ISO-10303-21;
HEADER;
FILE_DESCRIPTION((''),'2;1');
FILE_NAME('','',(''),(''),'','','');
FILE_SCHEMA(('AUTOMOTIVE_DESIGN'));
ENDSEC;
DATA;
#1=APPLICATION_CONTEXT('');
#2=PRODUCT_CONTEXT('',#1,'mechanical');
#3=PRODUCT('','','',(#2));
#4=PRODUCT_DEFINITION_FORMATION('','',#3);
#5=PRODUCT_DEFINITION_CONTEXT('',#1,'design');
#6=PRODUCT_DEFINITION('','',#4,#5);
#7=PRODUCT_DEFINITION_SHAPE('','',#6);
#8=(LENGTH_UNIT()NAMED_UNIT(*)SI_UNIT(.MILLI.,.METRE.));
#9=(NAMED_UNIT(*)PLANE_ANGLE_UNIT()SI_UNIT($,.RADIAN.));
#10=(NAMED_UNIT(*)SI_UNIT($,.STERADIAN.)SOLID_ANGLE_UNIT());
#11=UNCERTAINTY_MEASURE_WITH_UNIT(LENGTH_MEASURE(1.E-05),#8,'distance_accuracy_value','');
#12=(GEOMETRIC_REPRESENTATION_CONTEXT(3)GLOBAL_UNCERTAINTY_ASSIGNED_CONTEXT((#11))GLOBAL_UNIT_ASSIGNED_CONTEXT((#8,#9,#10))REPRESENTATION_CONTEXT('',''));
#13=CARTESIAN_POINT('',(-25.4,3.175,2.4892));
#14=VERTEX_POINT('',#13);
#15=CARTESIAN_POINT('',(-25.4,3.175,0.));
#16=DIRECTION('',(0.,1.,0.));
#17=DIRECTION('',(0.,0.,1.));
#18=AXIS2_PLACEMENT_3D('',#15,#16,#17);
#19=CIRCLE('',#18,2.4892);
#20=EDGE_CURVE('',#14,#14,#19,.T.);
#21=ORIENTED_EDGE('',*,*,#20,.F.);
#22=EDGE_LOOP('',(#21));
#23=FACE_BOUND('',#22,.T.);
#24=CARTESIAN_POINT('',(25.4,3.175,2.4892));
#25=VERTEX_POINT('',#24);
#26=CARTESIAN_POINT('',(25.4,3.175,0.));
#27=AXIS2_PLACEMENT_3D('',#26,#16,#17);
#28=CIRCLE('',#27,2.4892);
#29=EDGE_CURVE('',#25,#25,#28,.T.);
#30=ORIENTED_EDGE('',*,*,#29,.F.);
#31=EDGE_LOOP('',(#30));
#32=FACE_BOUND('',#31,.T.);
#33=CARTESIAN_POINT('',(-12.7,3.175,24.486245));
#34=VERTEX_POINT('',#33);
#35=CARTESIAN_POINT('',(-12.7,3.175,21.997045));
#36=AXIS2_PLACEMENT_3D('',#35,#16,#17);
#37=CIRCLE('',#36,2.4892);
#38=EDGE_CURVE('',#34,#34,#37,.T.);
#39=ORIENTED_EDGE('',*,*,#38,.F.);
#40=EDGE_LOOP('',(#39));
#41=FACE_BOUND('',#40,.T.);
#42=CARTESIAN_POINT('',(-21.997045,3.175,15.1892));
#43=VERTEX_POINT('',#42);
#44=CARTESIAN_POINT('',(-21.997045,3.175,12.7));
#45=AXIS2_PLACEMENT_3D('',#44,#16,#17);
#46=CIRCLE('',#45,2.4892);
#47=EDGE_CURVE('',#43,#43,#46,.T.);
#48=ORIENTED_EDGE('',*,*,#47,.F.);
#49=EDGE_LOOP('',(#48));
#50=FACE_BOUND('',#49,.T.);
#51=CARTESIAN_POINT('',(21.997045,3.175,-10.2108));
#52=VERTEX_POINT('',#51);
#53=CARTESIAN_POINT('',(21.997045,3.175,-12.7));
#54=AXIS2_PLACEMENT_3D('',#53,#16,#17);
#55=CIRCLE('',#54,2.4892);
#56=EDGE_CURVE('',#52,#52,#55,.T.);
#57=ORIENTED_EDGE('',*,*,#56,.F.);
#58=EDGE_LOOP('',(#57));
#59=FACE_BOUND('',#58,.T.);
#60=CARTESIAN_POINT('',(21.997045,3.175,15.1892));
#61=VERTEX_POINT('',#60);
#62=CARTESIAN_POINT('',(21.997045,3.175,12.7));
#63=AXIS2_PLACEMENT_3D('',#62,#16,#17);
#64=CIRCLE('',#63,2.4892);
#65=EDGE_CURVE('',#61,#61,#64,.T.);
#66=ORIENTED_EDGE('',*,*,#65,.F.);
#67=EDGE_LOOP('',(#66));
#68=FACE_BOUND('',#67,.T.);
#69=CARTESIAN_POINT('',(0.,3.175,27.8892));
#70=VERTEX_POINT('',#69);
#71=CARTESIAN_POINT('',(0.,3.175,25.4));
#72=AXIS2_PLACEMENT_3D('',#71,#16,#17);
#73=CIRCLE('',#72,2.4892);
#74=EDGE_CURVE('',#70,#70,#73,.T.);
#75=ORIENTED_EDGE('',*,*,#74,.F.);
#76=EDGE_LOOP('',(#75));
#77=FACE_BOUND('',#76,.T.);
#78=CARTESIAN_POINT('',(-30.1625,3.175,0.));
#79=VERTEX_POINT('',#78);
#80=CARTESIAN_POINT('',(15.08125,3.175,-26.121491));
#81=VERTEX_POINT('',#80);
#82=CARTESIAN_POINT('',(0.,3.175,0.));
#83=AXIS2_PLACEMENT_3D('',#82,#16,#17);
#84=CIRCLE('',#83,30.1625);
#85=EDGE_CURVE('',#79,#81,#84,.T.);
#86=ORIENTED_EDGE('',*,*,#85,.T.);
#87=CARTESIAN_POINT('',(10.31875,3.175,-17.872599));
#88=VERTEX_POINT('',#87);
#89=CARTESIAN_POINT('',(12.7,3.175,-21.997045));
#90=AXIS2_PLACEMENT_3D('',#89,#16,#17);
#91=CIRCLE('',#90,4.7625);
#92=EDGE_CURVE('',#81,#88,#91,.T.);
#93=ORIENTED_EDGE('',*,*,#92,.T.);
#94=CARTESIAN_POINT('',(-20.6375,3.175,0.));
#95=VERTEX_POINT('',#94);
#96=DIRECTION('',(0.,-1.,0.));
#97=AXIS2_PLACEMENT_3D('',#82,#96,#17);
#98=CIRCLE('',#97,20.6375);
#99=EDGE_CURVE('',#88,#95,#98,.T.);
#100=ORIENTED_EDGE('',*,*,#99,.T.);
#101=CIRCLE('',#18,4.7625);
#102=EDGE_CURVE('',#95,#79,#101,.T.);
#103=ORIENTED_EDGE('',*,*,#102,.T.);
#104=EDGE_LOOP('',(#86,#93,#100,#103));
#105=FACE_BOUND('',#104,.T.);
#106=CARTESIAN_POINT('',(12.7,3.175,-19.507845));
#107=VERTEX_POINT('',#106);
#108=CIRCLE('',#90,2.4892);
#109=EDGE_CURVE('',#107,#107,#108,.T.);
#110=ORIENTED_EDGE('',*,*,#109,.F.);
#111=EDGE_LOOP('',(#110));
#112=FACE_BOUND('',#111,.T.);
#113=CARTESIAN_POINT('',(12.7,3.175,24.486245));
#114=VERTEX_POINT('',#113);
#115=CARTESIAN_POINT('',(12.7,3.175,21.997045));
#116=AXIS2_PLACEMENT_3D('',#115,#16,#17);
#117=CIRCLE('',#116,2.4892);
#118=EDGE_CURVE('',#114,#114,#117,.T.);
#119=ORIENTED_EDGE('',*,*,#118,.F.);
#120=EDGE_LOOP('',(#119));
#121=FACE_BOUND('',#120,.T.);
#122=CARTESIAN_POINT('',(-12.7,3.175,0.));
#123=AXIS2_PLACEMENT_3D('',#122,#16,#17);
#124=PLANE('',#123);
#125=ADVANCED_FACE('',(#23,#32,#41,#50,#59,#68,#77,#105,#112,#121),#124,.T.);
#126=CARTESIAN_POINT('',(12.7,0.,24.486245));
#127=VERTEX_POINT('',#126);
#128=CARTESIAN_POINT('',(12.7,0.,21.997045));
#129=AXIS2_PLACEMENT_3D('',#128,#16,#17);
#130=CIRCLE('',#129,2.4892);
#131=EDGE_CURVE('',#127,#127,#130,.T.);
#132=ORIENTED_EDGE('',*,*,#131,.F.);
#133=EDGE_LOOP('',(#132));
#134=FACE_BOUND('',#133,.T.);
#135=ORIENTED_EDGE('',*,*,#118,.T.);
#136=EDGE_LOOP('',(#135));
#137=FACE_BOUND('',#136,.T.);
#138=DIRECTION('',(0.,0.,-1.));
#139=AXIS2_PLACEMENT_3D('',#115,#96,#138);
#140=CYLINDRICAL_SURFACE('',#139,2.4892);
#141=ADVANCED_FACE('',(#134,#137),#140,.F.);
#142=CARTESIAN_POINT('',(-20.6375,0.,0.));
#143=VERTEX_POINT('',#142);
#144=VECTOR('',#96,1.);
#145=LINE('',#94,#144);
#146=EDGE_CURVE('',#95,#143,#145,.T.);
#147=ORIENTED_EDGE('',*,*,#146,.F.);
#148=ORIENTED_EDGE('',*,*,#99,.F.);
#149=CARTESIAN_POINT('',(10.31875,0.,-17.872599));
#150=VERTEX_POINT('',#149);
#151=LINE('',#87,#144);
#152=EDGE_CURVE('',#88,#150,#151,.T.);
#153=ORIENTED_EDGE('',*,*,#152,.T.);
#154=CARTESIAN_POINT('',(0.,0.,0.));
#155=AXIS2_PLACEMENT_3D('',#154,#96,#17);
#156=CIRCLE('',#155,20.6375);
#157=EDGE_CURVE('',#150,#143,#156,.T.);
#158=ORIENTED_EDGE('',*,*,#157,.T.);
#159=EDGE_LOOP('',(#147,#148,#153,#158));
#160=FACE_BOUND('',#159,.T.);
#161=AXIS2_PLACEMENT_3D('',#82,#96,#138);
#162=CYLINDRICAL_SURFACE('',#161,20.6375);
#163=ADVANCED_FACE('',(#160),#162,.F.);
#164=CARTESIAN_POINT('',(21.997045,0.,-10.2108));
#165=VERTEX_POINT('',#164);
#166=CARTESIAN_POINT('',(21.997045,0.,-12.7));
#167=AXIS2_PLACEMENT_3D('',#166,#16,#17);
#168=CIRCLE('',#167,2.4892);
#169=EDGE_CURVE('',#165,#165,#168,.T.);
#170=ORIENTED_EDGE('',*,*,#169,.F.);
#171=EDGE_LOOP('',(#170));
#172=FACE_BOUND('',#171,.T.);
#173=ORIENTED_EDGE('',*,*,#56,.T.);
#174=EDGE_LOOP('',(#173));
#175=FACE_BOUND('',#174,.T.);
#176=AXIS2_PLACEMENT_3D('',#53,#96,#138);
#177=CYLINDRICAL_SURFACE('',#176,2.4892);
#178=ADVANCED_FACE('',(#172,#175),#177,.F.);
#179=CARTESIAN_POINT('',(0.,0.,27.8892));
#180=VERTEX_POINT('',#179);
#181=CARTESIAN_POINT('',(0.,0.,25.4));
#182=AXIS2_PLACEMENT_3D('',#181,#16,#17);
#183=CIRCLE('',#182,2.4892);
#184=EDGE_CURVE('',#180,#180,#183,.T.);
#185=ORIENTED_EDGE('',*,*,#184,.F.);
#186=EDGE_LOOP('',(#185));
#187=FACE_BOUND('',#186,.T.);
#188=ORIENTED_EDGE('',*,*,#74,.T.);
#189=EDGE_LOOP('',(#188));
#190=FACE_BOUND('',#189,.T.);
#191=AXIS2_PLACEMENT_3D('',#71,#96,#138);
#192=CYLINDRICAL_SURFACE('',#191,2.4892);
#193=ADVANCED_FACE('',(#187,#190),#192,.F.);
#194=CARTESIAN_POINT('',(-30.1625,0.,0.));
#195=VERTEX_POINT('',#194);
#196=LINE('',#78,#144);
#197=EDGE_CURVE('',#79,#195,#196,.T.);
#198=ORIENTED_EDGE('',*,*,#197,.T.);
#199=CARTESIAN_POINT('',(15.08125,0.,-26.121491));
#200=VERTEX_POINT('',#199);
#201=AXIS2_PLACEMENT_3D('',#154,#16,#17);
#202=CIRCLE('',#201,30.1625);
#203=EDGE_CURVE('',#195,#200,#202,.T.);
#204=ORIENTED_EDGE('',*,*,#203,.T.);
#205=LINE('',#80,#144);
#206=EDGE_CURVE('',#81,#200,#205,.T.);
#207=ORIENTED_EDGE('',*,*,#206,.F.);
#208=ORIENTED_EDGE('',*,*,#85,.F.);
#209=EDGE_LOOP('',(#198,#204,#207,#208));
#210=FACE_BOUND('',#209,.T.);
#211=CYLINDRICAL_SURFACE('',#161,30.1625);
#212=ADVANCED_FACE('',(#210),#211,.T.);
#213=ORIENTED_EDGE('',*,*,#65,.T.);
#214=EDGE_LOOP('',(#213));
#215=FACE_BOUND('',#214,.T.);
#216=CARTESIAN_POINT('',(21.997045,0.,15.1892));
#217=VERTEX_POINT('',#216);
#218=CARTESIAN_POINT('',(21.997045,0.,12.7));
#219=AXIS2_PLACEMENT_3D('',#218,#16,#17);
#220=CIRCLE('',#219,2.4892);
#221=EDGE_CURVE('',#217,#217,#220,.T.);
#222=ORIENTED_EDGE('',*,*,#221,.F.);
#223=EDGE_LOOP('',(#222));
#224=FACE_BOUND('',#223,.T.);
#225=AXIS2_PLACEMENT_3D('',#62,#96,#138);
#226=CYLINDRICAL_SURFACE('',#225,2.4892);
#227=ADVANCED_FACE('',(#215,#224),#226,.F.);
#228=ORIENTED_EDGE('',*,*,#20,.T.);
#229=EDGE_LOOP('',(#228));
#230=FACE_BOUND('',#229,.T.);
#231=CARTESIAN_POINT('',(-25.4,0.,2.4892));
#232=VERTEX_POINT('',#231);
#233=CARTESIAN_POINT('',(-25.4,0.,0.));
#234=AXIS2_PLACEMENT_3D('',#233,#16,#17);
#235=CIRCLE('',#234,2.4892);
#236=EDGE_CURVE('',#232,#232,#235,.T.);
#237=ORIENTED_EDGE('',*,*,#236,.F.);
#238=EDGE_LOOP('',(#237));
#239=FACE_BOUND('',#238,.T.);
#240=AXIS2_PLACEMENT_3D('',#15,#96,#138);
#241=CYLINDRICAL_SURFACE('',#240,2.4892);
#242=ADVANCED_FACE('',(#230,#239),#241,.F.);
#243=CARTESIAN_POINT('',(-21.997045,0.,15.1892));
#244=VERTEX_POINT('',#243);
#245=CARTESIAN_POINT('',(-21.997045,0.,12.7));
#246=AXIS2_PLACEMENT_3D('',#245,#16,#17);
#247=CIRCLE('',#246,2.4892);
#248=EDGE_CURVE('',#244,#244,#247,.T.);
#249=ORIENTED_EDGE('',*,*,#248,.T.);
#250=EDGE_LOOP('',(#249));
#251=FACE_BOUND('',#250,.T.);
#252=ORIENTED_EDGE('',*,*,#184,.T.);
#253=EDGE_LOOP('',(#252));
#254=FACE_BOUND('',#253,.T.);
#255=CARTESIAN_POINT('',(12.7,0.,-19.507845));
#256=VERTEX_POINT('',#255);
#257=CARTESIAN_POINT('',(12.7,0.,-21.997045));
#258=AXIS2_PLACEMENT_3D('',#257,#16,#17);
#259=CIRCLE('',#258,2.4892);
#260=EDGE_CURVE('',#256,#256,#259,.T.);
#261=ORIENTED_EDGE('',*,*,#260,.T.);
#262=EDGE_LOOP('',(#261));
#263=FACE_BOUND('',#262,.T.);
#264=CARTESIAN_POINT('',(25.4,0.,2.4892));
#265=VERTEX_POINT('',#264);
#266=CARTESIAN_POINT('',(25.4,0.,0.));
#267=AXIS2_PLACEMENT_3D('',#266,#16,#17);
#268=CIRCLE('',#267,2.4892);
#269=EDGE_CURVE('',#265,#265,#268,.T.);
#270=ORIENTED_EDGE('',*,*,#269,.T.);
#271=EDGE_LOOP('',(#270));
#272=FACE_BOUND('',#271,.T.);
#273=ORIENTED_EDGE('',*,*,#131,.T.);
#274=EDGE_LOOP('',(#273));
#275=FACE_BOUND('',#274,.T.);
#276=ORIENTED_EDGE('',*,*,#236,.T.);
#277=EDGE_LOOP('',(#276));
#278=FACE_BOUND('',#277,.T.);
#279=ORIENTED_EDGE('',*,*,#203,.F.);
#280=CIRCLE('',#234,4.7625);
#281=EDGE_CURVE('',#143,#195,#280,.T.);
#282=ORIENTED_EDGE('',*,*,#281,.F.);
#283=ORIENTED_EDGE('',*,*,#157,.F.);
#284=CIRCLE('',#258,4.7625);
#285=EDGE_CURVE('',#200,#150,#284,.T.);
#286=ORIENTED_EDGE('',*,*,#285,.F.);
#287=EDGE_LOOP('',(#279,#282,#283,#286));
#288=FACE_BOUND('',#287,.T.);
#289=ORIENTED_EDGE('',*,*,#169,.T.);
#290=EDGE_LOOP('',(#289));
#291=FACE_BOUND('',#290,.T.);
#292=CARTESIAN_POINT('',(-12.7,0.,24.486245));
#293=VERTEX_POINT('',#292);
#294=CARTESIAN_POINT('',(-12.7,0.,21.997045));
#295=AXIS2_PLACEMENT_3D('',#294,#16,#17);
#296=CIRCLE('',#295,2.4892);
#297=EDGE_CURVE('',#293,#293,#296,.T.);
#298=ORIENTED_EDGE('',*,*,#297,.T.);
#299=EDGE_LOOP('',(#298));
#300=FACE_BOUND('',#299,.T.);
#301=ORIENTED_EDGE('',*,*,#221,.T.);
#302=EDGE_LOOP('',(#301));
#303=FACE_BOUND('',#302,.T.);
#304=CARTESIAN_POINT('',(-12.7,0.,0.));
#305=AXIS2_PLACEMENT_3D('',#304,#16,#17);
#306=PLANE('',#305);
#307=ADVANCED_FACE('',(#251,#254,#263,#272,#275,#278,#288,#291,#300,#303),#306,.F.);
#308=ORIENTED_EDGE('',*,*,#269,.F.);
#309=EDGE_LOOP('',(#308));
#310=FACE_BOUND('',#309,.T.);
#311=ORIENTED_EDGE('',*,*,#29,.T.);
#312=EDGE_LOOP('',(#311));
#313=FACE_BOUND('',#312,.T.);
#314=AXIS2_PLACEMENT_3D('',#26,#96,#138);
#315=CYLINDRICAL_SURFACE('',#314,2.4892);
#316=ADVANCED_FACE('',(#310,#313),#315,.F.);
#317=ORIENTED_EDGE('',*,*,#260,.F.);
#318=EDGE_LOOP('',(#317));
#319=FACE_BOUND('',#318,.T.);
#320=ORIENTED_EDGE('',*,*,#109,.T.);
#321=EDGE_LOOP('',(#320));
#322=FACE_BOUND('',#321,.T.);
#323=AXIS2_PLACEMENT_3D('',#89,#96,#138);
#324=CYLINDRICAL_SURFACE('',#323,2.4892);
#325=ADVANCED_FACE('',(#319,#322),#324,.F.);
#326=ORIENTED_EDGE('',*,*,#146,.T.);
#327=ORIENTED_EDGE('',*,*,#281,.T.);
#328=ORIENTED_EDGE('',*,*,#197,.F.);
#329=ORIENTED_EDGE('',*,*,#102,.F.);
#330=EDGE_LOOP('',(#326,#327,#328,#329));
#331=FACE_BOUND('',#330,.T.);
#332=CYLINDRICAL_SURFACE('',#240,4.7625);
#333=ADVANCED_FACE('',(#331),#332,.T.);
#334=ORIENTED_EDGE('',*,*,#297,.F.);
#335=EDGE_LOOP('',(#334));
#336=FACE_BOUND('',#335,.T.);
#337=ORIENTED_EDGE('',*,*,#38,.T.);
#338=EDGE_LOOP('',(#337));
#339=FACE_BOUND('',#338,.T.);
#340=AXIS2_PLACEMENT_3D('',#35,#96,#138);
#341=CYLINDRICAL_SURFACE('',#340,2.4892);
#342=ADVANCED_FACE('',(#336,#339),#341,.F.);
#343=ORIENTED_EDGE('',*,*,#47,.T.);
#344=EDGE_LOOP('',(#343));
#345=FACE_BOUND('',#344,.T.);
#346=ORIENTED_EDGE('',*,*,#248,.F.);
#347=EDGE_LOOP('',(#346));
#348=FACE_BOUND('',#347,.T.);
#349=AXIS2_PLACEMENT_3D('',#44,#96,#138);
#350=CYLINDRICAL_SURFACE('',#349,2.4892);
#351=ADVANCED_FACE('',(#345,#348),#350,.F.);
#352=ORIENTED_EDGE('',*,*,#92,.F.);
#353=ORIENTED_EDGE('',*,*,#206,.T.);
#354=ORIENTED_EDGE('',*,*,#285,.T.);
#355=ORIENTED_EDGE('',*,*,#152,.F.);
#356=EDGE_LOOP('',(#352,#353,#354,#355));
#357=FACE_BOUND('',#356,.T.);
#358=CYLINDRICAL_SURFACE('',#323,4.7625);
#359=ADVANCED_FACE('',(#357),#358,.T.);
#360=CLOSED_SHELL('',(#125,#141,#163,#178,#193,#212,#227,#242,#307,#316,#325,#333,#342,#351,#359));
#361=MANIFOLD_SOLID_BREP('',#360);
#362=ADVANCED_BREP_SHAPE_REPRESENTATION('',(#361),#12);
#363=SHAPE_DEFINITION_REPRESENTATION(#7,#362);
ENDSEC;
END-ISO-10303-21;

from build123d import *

# Parameters (mm, degrees)
SKETCH1_R           = 2.4892
BOSS_EXTRUDE1_DEPTH = 3.175


with BuildPart() as part:
    # Sketch1 → Boss-Extrude1 (new body)
    with BuildSketch(Plane(origin=(0, 0, 0), x_dir=(1, 0, 0), z_dir=(0, 1, 0))):
        with BuildLine():
            ThreePointArc((-30.1625, 0), (15.08125, -26.121491242), (15.08125, 26.121491242))
            ThreePointArc((15.08125, 26.121491242), (8.575554014, 24.378295256), (10.31875, 17.872599271))
            ThreePointArc((10.31875, 17.872599271), (10.31875, -17.872599271), (-20.6375, 0))
            ThreePointArc((-20.6375, 0), (-25.4, 4.7625), (-30.1625, 0))
        make_face()
        with Locations(Location((25.4, 0, 0), (0, 0, 270))):
            Circle(SKETCH1_R, mode=Mode.SUBTRACT)
        with Locations(Location((21.997045256, -12.7, 0), (0, 0, 270))):
            Circle(SKETCH1_R, mode=Mode.SUBTRACT)
        with Locations(Location((12.7, -21.997045256, 0), (0, 0, 270))):
            Circle(SKETCH1_R, mode=Mode.SUBTRACT)
        with Locations(Location((0, -25.4, 0), (0, 0, 270))):
            Circle(SKETCH1_R, mode=Mode.SUBTRACT)
        with Locations(Location((-12.7, -21.997045256, 0), (0, 0, 270))):
            Circle(SKETCH1_R, mode=Mode.SUBTRACT)
        with Locations(Location((-21.997045256, -12.7, 0), (0, 0, 270))):
            Circle(SKETCH1_R, mode=Mode.SUBTRACT)
        with Locations(Location((-25.4, 0, 0), (0, 0, 270))):
            Circle(SKETCH1_R, mode=Mode.SUBTRACT)
        with Locations(Location((12.7, 21.997045256, 0), (0, 0, 270))):
            Circle(SKETCH1_R, mode=Mode.SUBTRACT)
        with Locations(Location((21.997045256, 12.7, 0), (0, 0, 270))):
            Circle(SKETCH1_R, mode=Mode.SUBTRACT)
    extrude(amount=BOSS_EXTRUDE1_DEPTH)


solid = part.part
